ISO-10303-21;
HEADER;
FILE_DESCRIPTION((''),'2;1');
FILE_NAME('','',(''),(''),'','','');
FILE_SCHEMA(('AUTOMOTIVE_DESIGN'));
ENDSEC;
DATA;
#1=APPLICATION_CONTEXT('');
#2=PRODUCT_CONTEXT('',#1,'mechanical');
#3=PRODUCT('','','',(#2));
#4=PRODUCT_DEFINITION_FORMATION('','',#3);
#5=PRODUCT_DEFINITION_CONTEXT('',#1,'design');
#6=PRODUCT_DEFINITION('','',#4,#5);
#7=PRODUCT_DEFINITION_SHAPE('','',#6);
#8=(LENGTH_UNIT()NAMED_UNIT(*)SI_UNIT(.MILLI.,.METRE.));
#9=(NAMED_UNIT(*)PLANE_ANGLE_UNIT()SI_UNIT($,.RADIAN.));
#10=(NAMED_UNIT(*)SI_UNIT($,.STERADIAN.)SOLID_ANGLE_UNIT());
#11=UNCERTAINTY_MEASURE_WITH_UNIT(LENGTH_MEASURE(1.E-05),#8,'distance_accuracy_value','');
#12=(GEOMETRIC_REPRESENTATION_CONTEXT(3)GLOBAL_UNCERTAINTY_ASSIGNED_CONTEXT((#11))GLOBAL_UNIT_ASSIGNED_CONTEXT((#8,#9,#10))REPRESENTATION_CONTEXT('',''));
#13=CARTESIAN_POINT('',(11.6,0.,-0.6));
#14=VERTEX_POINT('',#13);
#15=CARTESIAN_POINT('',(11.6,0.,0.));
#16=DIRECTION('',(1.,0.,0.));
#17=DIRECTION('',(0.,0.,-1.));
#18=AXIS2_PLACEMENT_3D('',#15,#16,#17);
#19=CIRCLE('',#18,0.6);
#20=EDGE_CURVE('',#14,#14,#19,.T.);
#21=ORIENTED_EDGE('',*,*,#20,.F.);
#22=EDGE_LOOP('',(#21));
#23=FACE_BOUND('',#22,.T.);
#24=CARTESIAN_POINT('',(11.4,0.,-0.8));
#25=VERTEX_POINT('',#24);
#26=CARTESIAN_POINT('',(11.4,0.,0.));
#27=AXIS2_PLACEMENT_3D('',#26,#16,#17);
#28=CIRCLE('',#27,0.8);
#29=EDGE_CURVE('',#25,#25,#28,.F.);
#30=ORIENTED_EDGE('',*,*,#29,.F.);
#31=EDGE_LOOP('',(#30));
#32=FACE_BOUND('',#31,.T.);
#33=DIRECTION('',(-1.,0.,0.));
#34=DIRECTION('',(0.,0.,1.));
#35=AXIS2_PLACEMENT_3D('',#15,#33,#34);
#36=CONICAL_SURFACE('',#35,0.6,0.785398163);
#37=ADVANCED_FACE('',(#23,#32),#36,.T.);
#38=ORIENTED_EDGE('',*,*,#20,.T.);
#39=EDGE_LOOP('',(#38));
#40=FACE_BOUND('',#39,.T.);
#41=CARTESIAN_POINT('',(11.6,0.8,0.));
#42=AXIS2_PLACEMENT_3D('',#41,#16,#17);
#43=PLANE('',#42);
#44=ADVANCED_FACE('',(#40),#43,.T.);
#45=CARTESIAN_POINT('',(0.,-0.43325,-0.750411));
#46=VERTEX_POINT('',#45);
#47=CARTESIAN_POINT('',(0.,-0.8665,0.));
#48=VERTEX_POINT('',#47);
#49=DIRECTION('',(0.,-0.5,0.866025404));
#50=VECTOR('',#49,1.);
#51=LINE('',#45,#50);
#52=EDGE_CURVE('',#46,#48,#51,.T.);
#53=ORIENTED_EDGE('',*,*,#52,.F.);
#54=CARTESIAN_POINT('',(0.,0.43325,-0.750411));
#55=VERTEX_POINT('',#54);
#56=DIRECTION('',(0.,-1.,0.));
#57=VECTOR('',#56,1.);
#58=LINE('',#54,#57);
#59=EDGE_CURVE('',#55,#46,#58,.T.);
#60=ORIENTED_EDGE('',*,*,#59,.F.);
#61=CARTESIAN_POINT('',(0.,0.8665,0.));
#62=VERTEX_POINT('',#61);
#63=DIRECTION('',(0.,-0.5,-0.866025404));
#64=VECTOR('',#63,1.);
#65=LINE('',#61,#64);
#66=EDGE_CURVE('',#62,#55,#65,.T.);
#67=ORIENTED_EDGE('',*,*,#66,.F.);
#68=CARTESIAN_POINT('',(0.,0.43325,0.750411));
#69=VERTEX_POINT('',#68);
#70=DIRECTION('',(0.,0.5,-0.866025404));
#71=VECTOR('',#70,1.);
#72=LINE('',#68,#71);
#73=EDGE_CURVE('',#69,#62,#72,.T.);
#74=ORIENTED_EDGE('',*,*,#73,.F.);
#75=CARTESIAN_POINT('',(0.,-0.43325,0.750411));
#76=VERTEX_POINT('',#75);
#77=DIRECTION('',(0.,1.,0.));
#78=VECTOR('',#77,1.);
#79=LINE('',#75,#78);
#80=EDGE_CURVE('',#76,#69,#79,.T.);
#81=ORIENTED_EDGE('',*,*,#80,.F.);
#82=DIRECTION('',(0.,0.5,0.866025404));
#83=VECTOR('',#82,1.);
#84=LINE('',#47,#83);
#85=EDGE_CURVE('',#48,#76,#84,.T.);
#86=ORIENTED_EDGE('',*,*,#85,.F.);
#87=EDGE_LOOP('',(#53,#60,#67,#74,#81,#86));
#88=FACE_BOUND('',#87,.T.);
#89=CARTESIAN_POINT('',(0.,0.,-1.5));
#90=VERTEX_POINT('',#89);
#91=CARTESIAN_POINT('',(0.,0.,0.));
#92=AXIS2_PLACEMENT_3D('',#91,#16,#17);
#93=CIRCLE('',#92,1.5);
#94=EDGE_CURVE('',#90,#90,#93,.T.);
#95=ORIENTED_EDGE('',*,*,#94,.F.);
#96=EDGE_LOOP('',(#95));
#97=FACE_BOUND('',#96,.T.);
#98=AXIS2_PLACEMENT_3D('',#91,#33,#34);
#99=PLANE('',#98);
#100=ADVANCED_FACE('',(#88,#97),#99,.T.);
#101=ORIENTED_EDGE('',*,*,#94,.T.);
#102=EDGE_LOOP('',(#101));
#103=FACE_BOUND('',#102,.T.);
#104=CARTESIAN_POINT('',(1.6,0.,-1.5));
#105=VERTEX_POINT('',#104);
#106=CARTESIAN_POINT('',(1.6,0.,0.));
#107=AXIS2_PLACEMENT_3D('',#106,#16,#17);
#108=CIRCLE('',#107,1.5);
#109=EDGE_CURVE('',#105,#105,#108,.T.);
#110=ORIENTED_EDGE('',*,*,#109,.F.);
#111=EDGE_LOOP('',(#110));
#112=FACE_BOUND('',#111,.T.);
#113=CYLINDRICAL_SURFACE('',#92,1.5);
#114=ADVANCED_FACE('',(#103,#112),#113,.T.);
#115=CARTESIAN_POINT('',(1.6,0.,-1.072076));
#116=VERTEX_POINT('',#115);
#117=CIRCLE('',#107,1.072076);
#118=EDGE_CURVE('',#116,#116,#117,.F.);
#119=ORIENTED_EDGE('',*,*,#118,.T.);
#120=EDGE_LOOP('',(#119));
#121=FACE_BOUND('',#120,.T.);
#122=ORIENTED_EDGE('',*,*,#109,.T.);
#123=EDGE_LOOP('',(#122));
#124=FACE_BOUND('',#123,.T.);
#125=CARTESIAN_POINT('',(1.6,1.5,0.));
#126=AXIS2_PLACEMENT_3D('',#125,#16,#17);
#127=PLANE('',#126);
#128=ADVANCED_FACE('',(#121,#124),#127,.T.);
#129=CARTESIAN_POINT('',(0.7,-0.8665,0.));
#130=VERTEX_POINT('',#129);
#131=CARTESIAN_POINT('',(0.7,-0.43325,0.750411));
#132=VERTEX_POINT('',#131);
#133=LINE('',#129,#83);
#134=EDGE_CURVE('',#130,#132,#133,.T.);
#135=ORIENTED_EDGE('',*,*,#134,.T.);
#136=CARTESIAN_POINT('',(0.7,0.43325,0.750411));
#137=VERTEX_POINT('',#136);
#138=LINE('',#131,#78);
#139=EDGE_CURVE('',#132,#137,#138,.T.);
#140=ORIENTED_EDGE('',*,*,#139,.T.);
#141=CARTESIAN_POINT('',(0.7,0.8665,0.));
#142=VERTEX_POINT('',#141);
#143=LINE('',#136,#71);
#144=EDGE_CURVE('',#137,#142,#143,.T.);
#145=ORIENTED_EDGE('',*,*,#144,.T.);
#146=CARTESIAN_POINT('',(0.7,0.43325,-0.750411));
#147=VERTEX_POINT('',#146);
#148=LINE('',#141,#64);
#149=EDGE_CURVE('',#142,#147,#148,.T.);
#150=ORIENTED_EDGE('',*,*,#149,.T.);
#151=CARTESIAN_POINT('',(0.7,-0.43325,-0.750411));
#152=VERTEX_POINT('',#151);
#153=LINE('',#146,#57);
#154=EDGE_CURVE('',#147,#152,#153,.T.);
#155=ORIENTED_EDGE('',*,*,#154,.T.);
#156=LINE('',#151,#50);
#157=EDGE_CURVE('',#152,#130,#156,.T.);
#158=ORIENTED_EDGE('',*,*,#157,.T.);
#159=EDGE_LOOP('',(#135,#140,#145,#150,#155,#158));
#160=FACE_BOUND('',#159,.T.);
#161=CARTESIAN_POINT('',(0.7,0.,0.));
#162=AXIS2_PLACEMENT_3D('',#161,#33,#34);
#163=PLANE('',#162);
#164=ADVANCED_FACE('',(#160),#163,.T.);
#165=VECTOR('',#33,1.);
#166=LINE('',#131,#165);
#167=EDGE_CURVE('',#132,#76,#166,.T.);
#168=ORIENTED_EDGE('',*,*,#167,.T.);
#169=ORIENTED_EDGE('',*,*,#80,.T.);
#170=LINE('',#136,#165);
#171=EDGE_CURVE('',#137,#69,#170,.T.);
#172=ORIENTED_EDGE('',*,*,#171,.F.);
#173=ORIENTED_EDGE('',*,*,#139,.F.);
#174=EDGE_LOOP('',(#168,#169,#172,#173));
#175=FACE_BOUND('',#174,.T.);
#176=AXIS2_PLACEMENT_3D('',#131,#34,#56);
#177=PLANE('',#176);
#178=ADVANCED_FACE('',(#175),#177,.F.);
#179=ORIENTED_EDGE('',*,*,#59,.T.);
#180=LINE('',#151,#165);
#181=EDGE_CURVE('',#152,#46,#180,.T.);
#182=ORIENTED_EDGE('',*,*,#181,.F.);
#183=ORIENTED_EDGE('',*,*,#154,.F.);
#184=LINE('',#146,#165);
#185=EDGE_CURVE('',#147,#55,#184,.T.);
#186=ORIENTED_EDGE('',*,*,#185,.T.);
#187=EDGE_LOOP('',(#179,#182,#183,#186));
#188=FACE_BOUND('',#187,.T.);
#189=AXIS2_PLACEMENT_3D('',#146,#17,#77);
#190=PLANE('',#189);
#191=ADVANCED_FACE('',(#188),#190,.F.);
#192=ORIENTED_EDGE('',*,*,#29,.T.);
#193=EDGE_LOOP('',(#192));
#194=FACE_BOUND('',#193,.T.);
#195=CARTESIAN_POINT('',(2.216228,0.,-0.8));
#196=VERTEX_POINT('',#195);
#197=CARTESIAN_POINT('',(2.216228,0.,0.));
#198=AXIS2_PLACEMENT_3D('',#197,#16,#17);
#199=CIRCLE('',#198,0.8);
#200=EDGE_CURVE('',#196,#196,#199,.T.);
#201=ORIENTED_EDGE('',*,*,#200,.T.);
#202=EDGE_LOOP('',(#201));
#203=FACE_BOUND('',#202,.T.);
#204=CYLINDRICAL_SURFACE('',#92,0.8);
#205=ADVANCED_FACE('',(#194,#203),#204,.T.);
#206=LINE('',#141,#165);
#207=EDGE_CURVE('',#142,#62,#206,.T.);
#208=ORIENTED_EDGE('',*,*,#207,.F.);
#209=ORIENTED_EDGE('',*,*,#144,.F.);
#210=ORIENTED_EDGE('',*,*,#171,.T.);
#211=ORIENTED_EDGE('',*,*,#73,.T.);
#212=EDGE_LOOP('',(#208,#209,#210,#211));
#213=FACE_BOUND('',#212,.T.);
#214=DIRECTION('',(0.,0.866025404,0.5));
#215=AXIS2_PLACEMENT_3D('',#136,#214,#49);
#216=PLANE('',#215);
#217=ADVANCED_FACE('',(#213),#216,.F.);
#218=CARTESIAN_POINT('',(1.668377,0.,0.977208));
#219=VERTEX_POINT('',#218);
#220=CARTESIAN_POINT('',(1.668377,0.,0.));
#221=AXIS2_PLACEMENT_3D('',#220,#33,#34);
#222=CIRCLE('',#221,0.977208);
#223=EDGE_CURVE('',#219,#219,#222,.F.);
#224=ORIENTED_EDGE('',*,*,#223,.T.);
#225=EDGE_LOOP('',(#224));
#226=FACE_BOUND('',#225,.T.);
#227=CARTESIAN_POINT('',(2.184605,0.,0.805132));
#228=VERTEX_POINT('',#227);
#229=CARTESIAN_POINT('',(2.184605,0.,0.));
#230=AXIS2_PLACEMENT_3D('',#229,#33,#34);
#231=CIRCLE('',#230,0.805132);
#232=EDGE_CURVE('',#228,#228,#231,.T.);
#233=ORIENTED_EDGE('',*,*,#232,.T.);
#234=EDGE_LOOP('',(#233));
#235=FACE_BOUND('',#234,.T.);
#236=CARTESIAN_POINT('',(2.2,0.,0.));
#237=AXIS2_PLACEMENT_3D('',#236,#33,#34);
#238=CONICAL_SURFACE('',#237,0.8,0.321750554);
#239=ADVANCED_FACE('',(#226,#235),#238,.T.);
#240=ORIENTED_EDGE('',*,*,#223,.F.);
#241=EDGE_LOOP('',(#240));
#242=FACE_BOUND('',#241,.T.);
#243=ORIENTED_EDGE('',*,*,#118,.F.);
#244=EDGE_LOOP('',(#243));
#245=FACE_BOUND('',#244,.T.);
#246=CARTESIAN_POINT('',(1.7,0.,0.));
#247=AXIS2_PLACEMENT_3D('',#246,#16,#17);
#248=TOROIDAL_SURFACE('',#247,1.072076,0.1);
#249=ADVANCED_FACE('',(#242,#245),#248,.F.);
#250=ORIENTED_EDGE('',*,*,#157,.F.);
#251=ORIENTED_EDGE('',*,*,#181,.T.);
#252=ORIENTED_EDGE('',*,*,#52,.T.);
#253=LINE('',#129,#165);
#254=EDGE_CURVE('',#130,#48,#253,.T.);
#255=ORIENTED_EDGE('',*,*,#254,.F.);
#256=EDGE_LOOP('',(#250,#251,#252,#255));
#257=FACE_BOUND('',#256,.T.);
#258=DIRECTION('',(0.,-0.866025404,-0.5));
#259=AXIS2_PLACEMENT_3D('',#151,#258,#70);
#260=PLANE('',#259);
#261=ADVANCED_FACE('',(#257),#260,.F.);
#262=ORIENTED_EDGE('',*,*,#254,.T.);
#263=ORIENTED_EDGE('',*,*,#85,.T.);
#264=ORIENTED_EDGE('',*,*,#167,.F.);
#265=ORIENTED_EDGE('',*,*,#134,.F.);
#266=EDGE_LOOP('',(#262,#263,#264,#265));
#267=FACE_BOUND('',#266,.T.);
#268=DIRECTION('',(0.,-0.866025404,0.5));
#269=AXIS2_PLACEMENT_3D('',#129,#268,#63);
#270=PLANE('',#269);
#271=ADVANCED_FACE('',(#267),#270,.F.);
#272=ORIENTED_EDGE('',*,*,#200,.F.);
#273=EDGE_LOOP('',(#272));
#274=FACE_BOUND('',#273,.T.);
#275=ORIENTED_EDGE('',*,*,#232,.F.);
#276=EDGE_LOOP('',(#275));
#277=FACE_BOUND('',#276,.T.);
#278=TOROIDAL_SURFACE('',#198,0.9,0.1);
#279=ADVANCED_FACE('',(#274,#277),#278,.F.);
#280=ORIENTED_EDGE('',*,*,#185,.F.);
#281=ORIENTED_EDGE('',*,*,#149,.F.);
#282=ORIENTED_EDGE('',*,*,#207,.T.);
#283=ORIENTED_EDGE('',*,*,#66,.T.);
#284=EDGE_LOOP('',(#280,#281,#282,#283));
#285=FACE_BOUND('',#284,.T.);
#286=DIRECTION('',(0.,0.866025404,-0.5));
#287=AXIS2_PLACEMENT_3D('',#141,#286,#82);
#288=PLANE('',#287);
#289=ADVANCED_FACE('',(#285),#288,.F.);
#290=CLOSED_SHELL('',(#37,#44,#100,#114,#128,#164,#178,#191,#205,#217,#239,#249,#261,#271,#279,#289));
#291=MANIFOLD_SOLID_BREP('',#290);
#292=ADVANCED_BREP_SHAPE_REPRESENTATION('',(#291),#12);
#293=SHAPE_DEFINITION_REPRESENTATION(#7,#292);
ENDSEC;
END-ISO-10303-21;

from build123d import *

# Parameters (mm, degrees)
FILLET_1_R          = 0.1
CHAMFER_1_SIZE      = 0.2
CUT_EXTRUDE_1_DEPTH = 0.7


with BuildPart() as part:
    # Эскиз1 → Повернуть1 (revolve)
    with BuildSketch(Plane.XY):
        Polygon((0, 0), (0, 1.5), (1.6, 1.5), (1.6, 1), (2.2, 0.8), (11.6, 0.8), (11.6, 0), align=None)
    revolve(axis=Axis((0, 0, 0), (-1, 0, 0)))

    # Скругление1
    fillet_1_edges = [part.edges().sort_by_distance(p)[0] for p in [
        (2.2, -0.8, 0),
        (1.6, -1, 0),
    ]]
    fillet(fillet_1_edges, radius=FILLET_1_R)

    # Фаска1
    chamfer_1_edges = [part.edges().sort_by_distance(p)[0] for p in [
        (11.6, -0.8, 0),
    ]]
    chamfer(chamfer_1_edges, length=CHAMFER_1_SIZE)

    # Эскиз2 → Вырез-Вытянуть1 (cut)
    with BuildSketch(Plane.ZY):
        Polygon((0, 0.8665), (-0.750411012, 0.43325), (-0.750411012, -0.43325), (0, -0.8665), (0.750411012, -0.43325), (0.750411012, 0.43325), align=None)
    extrude(amount=-CUT_EXTRUDE_1_DEPTH, mode=Mode.SUBTRACT)


solid = part.part
